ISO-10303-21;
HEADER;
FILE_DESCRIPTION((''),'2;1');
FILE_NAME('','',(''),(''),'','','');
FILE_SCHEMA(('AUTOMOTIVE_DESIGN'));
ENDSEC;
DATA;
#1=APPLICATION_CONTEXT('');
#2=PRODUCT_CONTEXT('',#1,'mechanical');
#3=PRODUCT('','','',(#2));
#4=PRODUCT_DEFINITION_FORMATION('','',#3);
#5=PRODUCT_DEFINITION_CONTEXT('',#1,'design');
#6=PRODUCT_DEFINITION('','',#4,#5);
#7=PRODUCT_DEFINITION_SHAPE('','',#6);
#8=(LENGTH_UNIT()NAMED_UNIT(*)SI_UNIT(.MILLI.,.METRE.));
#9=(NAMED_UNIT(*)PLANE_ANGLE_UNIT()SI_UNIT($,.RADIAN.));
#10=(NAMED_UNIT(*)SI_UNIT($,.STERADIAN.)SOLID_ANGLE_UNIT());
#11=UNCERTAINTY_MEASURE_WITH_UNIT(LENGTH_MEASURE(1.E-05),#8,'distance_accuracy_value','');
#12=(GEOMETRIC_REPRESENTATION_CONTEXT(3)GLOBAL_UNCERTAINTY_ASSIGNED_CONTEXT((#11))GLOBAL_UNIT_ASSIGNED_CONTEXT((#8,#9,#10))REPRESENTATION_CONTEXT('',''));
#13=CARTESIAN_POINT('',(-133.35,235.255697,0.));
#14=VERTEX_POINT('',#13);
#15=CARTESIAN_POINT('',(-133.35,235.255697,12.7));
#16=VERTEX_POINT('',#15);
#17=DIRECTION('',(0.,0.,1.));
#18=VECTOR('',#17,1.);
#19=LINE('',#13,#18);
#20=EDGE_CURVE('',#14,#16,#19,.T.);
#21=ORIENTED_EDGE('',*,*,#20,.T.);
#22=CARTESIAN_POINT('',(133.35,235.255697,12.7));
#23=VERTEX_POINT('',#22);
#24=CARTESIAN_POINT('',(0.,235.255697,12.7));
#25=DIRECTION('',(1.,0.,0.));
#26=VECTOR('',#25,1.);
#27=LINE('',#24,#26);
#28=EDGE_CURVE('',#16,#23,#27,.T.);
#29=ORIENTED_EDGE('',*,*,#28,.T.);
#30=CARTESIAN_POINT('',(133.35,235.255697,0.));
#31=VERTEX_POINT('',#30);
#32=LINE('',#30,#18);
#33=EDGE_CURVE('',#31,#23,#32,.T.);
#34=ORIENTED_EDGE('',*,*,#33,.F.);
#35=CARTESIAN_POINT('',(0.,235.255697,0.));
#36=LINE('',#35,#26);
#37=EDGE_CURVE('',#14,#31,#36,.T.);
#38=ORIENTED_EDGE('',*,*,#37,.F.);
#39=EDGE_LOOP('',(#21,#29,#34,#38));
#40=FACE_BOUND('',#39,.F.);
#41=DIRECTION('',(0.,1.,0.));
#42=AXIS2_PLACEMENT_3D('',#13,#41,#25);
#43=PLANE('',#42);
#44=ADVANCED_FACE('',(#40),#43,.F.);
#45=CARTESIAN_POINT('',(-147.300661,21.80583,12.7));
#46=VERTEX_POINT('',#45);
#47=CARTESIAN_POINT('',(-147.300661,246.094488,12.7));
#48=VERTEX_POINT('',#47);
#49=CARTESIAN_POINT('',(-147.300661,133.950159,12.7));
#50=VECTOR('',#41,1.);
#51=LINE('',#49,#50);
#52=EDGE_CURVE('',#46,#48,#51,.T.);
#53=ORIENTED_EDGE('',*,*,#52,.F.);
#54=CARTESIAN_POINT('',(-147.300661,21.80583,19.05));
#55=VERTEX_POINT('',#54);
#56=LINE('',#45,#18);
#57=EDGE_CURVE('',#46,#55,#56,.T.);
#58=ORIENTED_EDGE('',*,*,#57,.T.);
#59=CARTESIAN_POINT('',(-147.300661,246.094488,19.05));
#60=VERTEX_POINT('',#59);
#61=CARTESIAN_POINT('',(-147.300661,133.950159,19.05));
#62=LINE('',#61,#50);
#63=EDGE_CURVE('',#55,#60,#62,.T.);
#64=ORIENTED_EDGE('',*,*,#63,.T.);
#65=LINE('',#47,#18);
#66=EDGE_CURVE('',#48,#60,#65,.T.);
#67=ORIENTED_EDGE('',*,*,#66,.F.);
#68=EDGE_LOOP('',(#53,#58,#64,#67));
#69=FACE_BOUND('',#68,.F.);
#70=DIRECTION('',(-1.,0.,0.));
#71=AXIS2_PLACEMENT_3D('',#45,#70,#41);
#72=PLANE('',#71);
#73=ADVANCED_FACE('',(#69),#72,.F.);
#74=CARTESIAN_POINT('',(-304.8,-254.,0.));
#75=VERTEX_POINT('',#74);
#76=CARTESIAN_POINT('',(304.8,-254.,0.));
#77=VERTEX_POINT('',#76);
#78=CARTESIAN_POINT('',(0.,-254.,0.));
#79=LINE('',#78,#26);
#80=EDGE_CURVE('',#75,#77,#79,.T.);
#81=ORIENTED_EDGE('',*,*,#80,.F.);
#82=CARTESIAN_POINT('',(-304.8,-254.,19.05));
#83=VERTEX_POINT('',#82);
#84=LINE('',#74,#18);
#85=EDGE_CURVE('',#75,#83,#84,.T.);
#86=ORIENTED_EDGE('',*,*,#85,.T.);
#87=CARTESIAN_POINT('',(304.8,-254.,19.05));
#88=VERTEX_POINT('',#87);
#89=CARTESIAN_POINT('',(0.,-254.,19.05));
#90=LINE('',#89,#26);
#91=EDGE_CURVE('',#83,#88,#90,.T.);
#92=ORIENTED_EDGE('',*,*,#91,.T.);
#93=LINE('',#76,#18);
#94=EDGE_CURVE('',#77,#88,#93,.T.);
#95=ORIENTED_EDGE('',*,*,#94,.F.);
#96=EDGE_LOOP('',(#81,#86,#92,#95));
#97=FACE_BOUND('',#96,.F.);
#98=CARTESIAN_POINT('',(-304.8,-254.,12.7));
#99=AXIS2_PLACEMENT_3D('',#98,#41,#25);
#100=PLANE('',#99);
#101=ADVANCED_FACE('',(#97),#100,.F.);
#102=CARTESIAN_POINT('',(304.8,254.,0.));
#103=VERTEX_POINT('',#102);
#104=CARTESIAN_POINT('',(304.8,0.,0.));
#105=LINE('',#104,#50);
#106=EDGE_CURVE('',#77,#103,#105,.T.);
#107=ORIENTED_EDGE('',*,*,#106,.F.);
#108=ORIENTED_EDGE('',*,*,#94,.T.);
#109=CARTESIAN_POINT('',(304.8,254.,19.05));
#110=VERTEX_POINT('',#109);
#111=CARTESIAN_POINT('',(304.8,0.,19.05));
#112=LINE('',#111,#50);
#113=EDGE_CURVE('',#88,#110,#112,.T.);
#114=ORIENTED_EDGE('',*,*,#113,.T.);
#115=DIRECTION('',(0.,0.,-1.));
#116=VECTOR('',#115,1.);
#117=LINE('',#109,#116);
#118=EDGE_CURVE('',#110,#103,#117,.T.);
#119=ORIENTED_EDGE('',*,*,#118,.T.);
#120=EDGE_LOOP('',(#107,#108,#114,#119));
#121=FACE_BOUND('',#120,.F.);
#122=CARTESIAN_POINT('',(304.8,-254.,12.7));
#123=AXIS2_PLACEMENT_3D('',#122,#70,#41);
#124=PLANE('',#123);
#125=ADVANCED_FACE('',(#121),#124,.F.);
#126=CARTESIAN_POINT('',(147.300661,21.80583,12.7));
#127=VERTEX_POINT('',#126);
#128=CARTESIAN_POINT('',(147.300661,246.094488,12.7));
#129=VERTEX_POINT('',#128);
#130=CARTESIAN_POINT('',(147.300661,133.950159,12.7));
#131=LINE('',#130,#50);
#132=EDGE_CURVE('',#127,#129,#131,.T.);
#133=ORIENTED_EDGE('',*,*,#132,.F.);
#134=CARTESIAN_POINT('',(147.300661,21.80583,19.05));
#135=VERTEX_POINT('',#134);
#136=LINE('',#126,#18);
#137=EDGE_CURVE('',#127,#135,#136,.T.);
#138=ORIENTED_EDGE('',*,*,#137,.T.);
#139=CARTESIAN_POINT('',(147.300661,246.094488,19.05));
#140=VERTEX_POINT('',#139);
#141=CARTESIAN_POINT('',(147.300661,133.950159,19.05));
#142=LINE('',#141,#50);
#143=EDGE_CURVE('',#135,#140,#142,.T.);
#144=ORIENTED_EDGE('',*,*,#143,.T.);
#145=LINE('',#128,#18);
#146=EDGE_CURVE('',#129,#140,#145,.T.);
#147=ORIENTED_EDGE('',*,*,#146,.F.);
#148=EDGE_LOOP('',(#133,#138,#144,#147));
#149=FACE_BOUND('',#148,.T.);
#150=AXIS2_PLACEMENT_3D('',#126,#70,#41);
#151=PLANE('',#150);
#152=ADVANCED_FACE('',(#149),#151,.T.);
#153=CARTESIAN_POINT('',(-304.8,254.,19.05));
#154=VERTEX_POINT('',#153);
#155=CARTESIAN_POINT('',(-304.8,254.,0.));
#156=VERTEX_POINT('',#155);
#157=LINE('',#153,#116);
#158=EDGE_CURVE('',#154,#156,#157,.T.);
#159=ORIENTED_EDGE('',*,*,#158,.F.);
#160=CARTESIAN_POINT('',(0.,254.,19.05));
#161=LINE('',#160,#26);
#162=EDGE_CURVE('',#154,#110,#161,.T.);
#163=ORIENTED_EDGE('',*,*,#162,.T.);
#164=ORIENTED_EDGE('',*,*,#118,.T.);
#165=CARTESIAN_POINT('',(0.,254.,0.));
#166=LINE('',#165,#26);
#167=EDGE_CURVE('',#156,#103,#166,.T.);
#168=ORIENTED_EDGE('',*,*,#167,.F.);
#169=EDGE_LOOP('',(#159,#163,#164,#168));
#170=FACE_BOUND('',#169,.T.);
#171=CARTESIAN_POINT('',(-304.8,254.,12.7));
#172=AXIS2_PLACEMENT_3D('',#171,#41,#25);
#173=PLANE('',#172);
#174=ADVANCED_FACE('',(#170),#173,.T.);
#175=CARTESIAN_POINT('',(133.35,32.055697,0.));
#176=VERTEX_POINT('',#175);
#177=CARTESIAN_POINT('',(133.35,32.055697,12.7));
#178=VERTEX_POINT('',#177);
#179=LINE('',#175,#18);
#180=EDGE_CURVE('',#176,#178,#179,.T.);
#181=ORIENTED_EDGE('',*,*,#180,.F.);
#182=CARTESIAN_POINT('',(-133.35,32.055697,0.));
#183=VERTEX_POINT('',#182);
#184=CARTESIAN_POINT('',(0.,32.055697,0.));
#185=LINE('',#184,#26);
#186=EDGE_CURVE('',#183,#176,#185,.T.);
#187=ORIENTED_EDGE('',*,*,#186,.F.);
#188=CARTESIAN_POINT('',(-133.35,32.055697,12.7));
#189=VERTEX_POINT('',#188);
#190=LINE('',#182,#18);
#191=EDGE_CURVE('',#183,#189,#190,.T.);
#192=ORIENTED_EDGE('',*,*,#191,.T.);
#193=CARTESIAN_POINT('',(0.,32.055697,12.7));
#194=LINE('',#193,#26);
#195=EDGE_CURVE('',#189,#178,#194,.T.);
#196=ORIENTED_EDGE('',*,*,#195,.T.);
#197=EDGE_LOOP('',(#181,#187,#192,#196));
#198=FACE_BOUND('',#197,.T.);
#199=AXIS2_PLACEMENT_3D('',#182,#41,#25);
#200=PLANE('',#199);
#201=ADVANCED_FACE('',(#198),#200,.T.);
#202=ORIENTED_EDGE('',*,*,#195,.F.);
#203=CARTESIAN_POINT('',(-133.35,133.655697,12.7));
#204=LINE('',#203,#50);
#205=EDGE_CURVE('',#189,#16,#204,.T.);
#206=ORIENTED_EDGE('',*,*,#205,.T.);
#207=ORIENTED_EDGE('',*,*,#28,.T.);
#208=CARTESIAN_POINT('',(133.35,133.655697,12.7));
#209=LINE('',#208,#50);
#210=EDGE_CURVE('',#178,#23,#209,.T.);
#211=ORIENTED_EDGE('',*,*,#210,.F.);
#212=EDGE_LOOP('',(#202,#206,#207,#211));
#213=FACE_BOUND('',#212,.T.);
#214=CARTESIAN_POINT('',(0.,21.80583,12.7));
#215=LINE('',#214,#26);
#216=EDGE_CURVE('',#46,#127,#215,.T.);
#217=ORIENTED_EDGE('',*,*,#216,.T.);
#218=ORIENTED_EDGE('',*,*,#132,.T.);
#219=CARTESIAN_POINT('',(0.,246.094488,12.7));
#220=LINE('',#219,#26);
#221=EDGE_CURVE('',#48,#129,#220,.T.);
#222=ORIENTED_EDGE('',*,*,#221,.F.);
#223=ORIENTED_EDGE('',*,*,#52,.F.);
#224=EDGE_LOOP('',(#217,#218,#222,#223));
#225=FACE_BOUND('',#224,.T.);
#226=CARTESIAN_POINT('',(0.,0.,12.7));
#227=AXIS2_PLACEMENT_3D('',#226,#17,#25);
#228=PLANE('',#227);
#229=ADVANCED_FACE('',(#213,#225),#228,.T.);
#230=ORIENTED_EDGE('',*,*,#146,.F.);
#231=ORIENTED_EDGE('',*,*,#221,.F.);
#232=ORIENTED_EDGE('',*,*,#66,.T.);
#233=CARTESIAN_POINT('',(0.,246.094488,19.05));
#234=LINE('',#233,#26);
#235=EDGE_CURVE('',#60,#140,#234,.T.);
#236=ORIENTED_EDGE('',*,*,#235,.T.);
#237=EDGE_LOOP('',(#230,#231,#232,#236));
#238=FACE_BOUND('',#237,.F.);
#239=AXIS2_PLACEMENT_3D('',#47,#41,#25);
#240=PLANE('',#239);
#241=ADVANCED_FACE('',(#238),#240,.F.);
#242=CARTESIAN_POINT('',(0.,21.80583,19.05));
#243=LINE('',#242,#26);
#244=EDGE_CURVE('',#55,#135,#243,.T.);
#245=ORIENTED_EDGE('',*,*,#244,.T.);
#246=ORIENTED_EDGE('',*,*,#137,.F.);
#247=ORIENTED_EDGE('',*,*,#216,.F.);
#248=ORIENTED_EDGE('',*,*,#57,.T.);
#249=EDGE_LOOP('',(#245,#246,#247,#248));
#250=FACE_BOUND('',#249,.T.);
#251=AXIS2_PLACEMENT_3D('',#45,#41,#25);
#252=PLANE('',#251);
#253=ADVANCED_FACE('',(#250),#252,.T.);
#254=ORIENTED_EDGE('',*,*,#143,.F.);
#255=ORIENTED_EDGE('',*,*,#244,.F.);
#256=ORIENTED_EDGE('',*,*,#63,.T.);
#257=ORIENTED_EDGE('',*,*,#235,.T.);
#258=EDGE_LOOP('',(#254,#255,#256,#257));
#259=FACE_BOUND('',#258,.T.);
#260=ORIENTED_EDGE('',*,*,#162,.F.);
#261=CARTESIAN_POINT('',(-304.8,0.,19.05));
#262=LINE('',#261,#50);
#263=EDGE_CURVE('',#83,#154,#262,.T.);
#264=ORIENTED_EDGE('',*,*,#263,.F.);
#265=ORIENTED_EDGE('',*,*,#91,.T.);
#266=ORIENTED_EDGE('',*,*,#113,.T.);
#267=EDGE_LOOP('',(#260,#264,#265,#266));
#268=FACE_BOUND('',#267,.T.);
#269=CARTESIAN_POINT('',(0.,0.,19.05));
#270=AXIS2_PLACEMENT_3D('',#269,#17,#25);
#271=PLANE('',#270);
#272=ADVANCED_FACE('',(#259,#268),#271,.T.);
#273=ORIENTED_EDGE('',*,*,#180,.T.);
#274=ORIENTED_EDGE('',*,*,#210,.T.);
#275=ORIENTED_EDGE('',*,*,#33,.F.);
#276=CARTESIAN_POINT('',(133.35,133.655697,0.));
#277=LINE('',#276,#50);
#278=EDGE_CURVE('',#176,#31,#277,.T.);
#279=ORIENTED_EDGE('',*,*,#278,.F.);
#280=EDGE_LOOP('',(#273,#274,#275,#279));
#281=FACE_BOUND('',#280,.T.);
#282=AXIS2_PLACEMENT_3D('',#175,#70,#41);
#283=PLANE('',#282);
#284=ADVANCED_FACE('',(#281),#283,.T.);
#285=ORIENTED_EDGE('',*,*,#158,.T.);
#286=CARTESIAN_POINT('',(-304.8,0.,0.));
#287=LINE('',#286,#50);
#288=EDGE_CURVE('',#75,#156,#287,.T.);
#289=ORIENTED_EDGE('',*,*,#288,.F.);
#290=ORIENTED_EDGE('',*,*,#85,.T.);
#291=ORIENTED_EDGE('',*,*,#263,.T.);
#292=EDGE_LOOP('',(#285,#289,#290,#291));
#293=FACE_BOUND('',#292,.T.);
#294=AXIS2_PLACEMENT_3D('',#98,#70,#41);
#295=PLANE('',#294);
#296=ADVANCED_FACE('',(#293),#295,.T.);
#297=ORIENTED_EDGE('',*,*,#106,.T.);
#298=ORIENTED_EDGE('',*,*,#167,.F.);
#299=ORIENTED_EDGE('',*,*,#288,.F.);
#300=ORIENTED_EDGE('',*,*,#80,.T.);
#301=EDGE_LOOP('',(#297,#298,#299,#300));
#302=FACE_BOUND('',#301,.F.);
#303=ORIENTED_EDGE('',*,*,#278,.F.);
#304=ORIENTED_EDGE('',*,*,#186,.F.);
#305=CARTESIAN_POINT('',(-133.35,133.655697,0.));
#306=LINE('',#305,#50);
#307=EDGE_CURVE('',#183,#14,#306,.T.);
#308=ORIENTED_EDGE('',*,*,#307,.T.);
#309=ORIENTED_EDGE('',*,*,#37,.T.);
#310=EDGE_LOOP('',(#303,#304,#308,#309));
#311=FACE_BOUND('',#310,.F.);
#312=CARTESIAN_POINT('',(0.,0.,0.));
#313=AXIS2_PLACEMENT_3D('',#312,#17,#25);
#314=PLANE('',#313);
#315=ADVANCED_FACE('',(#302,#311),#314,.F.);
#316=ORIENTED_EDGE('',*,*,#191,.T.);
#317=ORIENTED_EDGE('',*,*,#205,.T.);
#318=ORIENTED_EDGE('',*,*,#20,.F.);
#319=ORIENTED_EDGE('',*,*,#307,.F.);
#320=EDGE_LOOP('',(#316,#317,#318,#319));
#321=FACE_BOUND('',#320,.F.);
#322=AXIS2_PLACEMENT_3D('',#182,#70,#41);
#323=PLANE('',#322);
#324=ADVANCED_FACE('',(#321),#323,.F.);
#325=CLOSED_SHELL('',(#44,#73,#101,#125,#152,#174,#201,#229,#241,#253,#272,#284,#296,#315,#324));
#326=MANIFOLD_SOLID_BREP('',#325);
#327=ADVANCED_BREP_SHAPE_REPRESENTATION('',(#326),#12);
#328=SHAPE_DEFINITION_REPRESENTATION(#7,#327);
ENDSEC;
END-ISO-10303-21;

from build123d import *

# Parameters (mm, degrees)
F0_W     = 609.6
F0_H     = 508
F0_W_2   = 266.7
F0_H_2   = 203.2
F1_DEPTH = 12.7
F2_W     = 609.6
F2_H     = 508
F2_W_2   = 294.601322
F2_H_2   = 224.288658
F3_DEPTH = 6.35


with BuildPart() as f1:
    # F0 (on Top) → F1 (new body)
    with BuildSketch(Plane.XY):
        Rectangle(F0_W, F0_H)
        with Locations((0, 133.655697)):
            Rectangle(F0_W_2, F0_H_2, mode=Mode.SUBTRACT)
    extrude(amount=F1_DEPTH)

    # F2 (on face) → F3 (join)
    with BuildSketch(Plane.XY.offset(12.7)):
        Rectangle(F2_W, F2_H)
        with Locations((0, 133.950159)):
            Rectangle(F2_W_2, F2_H_2, mode=Mode.SUBTRACT)
    extrude(amount=F3_DEPTH)


solid = f1.part
